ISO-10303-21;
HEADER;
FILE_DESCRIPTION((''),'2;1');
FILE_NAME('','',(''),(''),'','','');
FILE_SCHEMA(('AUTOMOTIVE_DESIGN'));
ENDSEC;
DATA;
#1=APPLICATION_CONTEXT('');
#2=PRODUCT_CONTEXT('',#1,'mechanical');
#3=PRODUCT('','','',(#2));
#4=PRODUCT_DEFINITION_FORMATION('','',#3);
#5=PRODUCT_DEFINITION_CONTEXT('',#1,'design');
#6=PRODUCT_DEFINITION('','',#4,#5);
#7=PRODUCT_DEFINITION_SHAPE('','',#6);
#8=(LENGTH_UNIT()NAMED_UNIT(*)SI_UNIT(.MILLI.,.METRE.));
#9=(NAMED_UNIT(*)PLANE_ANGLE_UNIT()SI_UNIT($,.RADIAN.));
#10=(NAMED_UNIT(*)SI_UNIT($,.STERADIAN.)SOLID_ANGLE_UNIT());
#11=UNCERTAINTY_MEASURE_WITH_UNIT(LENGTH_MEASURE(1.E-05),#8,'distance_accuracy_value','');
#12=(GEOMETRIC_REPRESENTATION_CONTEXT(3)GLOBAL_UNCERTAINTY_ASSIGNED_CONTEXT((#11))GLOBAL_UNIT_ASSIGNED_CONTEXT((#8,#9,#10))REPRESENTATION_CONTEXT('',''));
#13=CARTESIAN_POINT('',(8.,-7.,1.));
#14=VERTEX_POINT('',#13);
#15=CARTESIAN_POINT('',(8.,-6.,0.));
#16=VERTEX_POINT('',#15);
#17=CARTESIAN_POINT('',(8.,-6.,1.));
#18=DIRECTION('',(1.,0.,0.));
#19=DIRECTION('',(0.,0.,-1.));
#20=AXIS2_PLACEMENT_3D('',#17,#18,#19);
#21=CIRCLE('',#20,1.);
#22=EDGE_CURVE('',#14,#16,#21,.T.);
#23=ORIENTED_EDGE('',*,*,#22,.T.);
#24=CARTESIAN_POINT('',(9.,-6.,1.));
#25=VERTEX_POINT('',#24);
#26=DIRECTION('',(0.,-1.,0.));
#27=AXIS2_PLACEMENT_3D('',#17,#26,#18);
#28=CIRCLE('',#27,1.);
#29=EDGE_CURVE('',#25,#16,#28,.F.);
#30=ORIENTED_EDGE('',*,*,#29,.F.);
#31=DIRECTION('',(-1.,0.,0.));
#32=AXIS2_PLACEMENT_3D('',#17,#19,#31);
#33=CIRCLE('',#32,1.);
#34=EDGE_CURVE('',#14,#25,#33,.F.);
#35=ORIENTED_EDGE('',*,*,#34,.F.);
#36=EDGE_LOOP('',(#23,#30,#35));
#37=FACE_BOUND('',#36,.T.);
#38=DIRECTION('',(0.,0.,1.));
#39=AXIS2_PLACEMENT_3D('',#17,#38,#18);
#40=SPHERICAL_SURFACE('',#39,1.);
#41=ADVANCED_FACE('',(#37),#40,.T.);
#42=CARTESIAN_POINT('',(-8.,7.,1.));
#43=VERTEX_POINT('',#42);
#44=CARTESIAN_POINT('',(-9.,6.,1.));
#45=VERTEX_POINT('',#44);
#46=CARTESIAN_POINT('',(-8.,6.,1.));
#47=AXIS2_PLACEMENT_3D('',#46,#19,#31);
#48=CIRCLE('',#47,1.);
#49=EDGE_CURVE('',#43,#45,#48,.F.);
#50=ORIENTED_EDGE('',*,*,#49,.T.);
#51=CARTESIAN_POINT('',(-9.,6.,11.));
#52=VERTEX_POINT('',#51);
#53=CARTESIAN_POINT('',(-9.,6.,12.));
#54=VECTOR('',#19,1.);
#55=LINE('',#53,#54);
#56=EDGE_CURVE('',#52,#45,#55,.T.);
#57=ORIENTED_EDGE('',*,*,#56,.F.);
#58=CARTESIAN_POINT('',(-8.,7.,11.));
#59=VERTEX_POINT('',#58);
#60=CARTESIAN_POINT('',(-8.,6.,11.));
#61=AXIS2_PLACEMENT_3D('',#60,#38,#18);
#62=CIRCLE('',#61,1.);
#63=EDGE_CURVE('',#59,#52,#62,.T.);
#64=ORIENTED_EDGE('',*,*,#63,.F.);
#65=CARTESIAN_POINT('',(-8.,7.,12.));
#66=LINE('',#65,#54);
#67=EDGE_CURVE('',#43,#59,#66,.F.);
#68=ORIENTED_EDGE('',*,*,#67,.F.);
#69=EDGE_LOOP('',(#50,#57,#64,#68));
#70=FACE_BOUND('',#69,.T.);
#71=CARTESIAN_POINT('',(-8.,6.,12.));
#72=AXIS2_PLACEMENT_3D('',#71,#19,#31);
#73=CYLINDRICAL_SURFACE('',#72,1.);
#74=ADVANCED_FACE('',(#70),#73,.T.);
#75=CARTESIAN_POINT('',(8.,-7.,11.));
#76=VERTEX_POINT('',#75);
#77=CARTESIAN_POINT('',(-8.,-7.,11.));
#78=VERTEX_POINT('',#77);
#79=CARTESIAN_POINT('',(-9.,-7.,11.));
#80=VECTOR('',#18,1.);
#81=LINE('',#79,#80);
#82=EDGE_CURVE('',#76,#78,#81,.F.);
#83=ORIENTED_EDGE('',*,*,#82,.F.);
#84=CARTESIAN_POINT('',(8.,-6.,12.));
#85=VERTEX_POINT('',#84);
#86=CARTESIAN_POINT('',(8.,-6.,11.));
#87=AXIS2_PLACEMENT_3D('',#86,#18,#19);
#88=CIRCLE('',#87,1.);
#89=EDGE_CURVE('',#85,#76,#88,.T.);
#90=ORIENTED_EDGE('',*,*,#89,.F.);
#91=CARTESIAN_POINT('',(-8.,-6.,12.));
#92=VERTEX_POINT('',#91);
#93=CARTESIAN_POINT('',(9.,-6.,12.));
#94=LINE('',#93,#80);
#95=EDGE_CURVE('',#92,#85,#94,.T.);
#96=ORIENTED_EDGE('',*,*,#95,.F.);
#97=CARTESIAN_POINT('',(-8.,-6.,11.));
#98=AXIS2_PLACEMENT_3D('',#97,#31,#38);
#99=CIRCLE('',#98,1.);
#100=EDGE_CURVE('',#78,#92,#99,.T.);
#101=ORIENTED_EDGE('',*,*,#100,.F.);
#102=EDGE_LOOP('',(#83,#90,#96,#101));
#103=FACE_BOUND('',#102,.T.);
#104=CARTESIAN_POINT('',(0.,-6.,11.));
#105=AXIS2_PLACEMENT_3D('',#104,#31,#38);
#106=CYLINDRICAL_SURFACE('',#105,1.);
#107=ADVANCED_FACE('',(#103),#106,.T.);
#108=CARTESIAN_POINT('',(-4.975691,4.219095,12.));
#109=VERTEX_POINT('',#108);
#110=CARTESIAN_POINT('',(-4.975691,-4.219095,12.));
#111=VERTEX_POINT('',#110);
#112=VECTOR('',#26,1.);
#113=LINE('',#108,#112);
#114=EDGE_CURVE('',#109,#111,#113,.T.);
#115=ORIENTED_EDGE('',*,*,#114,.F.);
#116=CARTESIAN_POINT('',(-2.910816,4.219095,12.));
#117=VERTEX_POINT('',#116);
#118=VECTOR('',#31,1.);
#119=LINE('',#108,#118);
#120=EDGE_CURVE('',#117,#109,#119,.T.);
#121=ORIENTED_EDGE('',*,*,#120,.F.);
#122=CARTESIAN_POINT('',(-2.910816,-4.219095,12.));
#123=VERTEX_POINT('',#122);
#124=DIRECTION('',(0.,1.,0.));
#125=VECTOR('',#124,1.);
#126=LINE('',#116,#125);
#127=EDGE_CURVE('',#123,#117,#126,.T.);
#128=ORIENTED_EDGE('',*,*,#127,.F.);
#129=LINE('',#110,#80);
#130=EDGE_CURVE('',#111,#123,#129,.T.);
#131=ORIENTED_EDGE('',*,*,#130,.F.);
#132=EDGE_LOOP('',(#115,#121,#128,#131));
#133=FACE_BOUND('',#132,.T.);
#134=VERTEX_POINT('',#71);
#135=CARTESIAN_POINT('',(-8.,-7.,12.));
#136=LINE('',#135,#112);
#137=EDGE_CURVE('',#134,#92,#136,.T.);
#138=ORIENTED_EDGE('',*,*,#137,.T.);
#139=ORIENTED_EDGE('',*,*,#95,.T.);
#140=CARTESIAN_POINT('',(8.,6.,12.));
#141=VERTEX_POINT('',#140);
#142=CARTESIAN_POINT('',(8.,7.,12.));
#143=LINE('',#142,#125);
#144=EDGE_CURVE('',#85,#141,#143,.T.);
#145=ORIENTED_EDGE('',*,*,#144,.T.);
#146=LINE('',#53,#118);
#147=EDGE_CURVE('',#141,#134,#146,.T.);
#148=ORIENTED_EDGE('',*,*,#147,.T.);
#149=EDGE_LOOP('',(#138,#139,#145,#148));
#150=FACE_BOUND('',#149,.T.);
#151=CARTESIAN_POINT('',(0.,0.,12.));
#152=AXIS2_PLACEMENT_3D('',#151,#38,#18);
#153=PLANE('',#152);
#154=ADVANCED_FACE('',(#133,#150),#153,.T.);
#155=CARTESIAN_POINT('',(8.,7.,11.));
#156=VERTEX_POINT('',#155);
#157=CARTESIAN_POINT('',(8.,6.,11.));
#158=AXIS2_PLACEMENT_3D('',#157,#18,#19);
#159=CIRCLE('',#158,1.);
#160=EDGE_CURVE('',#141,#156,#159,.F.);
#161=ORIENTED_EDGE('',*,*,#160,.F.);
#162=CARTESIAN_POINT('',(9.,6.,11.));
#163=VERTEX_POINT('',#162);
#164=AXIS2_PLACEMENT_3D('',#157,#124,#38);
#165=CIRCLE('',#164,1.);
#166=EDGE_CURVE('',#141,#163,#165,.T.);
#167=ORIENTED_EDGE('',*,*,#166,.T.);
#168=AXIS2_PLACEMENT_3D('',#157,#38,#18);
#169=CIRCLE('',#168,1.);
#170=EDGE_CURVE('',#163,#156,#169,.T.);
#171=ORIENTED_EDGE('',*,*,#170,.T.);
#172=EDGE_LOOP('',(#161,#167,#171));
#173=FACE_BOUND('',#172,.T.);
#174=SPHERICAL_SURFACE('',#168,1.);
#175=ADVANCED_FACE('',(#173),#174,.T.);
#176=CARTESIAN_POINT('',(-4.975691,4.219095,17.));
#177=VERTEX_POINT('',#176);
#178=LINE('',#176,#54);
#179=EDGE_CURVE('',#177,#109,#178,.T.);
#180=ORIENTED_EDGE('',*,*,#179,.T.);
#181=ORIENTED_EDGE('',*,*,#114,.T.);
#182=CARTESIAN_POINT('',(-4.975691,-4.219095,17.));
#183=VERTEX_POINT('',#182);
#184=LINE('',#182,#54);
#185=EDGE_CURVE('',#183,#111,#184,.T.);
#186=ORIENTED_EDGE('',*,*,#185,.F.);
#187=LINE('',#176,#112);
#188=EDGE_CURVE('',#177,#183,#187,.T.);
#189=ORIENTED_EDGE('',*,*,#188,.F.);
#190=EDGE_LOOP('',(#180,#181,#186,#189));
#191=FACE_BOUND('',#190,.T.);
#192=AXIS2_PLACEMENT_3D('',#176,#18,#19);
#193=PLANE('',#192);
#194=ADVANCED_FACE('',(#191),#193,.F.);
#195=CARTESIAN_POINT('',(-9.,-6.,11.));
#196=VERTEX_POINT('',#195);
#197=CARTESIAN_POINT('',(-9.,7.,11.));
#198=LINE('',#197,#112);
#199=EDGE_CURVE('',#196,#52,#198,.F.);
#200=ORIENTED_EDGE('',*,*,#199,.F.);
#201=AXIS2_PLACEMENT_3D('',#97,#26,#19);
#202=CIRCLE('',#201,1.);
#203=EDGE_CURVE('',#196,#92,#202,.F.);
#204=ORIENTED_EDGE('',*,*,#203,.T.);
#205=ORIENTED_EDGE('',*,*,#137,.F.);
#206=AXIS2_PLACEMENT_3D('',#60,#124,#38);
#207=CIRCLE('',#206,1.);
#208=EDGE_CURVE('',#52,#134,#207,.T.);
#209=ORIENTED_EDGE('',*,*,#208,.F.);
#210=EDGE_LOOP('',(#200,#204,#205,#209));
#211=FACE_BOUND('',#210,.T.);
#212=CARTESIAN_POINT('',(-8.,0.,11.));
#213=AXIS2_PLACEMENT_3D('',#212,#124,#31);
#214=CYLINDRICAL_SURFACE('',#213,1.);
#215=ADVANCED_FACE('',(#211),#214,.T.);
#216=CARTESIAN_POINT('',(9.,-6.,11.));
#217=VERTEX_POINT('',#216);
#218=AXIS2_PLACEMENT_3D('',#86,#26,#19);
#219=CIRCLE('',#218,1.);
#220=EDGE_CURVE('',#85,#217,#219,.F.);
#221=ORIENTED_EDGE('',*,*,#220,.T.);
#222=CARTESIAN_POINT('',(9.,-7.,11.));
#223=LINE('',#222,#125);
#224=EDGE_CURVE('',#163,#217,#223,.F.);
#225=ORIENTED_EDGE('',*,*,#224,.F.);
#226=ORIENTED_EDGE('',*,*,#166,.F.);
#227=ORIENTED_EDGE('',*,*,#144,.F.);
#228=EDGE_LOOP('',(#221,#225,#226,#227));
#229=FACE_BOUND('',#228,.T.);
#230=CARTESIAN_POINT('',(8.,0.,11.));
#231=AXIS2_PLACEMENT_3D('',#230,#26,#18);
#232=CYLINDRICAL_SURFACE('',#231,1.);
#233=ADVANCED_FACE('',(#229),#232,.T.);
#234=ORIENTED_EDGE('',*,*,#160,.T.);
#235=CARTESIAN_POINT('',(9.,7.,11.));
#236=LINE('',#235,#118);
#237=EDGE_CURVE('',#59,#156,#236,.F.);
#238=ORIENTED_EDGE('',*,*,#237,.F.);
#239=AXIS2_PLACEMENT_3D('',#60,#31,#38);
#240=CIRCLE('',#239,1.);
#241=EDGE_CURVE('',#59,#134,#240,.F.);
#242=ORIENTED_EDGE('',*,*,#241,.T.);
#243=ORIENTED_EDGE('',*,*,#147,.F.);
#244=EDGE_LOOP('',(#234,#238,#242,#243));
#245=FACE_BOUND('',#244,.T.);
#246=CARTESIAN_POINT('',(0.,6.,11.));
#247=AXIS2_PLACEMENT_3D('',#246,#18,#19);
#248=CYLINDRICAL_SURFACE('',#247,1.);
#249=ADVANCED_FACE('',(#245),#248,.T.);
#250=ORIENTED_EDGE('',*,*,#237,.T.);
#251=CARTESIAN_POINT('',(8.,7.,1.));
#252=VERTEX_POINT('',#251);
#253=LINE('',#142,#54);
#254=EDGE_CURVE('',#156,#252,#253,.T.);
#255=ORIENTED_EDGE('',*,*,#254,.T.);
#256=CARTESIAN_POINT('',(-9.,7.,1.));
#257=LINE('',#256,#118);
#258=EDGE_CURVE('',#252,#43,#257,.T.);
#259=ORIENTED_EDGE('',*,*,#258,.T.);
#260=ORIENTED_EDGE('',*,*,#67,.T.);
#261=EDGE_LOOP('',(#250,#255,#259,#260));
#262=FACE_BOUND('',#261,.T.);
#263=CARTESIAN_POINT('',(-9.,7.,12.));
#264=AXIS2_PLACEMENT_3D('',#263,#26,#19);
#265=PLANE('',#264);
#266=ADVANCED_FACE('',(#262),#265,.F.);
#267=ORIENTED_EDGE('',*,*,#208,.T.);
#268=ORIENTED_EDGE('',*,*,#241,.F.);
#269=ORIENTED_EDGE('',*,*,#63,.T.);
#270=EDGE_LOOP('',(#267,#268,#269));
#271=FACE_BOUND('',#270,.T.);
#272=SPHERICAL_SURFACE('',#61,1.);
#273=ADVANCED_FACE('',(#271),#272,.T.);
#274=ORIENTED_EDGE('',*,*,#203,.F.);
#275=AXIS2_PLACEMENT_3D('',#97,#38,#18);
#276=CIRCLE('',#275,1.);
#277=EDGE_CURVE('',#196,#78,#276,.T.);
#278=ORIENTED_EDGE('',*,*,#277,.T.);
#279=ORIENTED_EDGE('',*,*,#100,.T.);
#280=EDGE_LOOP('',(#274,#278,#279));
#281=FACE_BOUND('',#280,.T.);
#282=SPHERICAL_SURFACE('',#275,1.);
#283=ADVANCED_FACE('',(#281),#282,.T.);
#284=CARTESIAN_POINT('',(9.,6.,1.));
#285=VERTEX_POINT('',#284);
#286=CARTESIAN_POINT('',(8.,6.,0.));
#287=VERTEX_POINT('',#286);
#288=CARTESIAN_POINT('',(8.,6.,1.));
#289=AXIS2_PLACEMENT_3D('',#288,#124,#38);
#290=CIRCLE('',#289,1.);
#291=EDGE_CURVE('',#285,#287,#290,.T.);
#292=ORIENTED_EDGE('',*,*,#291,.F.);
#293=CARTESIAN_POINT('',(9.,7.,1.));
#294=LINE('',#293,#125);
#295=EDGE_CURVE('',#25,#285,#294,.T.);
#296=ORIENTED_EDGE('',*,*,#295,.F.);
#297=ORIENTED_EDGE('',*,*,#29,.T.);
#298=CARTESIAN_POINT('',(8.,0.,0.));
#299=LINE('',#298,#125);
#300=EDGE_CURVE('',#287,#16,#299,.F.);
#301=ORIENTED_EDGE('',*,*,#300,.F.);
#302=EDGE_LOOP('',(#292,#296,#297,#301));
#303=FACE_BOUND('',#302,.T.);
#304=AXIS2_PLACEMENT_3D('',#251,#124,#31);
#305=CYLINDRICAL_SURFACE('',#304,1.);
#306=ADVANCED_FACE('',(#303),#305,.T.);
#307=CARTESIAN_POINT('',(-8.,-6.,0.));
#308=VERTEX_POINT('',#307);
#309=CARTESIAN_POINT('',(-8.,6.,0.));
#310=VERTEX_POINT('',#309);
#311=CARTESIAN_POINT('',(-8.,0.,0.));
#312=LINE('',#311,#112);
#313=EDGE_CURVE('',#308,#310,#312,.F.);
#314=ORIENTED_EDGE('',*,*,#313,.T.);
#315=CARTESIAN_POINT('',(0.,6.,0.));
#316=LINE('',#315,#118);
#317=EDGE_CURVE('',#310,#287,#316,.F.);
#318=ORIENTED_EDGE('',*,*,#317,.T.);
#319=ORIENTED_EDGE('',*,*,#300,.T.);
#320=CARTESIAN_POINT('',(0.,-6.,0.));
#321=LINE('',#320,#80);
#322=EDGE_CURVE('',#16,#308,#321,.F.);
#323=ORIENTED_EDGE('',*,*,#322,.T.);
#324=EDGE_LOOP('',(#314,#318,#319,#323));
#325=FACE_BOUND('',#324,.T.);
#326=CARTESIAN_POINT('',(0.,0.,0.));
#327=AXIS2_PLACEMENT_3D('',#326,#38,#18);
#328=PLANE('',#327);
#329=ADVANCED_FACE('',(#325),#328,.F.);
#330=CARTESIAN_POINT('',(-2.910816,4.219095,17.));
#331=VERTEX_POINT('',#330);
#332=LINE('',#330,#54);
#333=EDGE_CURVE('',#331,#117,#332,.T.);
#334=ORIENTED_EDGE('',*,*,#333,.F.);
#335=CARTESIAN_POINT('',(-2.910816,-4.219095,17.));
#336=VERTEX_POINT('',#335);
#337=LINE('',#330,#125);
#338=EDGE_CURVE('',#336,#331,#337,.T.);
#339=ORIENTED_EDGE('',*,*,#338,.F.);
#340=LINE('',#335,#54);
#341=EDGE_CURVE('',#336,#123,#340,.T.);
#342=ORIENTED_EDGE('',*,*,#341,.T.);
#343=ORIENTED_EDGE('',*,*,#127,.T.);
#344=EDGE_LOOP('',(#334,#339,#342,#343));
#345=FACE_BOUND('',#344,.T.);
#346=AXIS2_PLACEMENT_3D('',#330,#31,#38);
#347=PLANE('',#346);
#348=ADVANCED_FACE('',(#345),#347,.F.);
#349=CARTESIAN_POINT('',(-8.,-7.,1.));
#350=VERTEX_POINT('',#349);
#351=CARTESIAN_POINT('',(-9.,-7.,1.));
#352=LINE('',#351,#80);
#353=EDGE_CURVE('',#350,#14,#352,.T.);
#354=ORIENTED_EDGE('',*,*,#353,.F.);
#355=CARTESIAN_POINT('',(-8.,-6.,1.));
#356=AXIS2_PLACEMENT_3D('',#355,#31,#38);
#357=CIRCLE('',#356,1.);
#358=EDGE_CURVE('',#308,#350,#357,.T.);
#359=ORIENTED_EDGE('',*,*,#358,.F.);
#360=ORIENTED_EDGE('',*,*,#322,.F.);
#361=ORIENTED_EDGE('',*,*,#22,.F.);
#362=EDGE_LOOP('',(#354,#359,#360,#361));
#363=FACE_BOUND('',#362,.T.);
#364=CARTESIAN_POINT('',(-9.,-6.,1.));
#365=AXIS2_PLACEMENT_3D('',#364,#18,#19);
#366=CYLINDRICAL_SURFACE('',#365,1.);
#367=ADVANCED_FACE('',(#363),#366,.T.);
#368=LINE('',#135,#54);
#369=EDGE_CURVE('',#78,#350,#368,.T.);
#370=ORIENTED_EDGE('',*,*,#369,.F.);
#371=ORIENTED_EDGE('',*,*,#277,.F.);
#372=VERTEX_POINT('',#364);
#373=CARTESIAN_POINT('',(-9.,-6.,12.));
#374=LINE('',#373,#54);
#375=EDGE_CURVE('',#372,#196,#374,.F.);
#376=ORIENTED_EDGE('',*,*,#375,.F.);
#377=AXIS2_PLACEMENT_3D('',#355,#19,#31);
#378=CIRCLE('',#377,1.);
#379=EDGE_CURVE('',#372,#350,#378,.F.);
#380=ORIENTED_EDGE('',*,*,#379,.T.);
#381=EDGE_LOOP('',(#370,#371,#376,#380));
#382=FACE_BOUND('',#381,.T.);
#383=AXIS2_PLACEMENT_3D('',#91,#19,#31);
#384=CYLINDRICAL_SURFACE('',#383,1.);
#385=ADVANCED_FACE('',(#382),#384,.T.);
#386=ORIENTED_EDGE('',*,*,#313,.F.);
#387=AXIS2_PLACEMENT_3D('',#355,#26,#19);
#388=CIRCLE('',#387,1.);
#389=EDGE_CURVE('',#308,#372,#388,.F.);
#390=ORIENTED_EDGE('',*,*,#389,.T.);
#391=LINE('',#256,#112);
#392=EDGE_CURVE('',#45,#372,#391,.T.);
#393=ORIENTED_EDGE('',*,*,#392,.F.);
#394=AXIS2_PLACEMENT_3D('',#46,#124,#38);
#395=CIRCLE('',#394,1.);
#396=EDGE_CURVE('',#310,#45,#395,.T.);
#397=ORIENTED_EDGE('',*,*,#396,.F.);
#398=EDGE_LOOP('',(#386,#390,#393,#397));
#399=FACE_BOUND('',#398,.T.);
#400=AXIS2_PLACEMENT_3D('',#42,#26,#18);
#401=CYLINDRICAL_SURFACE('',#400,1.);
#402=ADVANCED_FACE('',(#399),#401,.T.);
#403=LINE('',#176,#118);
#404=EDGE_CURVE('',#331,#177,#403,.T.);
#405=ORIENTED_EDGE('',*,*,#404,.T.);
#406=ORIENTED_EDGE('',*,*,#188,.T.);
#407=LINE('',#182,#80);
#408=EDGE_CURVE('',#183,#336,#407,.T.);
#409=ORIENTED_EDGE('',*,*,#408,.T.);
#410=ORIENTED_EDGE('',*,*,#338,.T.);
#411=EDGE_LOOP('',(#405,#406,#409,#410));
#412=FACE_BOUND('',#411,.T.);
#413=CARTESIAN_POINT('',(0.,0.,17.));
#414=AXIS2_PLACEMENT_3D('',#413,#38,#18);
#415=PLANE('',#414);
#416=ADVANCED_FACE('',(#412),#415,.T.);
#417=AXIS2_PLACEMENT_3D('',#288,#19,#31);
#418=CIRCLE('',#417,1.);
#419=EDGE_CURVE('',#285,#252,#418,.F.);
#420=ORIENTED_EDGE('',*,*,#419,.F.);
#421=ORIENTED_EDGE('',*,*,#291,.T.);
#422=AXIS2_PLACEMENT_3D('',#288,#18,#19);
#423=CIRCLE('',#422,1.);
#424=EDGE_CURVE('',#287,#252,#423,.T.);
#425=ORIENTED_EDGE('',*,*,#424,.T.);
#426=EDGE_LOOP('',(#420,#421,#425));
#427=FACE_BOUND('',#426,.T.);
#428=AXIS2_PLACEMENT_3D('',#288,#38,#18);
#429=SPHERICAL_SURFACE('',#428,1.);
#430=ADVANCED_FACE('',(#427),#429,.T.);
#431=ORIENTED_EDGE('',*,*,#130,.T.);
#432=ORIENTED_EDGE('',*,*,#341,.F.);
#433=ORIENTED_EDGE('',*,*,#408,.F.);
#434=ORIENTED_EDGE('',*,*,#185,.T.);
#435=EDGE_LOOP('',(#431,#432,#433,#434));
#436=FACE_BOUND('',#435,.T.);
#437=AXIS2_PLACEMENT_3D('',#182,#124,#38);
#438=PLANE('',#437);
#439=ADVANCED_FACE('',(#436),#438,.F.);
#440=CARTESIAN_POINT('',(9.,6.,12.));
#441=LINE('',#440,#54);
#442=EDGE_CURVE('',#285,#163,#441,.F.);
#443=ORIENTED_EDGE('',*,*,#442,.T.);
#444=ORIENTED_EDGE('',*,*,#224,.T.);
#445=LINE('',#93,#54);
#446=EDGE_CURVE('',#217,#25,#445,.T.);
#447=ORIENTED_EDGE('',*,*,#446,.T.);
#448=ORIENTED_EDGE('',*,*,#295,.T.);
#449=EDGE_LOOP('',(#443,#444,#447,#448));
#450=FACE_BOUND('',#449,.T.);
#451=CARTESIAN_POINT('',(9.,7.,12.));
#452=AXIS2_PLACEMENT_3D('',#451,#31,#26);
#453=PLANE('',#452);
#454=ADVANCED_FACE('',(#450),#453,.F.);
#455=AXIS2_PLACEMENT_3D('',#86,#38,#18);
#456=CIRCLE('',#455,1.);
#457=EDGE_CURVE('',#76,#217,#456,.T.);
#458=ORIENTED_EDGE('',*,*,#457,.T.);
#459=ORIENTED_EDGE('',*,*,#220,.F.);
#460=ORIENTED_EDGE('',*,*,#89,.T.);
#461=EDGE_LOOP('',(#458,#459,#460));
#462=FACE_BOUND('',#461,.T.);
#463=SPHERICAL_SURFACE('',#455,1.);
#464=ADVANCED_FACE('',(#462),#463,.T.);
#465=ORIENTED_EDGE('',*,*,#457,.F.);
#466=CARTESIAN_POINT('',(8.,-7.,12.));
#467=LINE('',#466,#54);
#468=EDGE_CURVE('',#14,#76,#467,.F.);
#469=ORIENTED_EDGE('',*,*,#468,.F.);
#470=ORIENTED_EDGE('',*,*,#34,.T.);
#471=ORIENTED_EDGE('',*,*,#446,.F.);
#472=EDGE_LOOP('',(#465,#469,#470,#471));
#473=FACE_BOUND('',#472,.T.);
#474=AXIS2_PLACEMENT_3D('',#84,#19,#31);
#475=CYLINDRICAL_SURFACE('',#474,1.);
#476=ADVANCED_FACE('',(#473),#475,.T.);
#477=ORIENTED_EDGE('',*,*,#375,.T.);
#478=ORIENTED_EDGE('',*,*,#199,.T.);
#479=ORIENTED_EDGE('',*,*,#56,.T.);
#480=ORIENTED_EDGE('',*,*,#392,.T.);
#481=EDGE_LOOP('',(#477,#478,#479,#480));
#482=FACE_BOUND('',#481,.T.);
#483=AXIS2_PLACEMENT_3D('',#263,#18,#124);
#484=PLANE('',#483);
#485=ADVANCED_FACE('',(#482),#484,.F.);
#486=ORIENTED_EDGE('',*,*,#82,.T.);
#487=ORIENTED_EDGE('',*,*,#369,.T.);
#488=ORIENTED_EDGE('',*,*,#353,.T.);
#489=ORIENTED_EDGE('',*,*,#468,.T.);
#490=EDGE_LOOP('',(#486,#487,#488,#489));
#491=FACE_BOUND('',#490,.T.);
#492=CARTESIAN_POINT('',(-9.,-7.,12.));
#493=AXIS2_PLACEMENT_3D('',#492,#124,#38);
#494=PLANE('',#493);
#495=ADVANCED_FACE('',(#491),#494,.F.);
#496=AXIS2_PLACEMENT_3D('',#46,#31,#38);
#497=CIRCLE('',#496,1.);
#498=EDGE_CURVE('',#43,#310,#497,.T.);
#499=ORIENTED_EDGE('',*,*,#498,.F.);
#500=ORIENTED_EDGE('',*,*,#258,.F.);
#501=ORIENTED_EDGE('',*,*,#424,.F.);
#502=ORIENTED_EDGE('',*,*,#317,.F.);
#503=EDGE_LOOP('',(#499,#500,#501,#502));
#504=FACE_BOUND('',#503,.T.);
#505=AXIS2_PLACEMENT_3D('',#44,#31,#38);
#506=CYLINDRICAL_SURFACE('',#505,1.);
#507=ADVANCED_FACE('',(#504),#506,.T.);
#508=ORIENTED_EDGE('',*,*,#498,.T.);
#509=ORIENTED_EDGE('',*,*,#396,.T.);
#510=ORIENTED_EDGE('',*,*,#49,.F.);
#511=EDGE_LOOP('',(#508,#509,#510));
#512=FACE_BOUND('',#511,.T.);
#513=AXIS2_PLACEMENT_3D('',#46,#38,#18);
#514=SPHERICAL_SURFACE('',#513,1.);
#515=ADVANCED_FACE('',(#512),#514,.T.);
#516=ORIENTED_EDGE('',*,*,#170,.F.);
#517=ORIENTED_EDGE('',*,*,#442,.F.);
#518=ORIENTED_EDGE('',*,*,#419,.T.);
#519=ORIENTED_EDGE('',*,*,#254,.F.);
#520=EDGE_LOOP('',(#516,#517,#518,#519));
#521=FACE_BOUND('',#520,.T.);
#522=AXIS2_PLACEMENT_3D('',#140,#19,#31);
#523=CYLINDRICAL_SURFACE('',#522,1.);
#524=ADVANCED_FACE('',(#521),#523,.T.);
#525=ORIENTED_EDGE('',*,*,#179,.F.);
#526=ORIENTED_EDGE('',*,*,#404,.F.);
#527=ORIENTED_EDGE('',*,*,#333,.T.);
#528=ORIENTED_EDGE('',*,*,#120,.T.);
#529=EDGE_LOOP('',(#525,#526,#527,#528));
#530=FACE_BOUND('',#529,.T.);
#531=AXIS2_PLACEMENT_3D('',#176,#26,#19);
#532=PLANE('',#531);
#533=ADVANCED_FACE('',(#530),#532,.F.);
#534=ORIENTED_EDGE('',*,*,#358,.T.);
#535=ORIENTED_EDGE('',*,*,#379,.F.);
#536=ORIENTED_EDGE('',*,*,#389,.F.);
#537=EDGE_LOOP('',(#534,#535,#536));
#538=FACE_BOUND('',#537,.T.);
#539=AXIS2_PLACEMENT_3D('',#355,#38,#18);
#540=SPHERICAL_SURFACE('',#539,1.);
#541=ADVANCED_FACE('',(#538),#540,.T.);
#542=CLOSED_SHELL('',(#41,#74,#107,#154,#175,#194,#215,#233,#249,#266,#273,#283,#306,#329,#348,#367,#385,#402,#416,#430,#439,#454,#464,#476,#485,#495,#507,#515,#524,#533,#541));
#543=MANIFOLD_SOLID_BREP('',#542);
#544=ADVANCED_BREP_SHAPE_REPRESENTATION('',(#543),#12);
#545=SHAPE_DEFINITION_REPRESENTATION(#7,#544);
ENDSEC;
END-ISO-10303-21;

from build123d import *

# Parameters (mm, degrees)
SKETCH_1_W      = 18
SKETCH_1_H      = 14
EXTRUDE_1_DEPTH = 12
SKETCH_2_W      = 2.064874792
SKETCH_2_H      = 8.438190256
EXTRUDE_2_DEPTH = 5
FILLET_1_R      = 1


with BuildPart() as part:
    # Эскиз1 → Бобышка-Вытянуть1 (new body)
    with BuildSketch(Plane.XY):
        Rectangle(SKETCH_1_W, SKETCH_1_H)
    extrude(amount=EXTRUDE_1_DEPTH)

    # Эскиз2 → Бобышка-Вытянуть2 (add)
    with BuildSketch(Plane.XY.offset(12)):
        with Locations((-3.943253735, 0)):
            Rectangle(SKETCH_2_W, SKETCH_2_H)
    extrude(amount=EXTRUDE_2_DEPTH)

    # Скругление1
    fillet_1_edges = [part.edges().sort_by_distance(p)[0] for p in [
        (-9, 0, 12),
        (0, -7, 12),
        (9, 0, 12),
        (0, -7, 0),
        (-9, 0, 0),
        (0, 7, 0),
        (9, 0, 0),
        (0, 7, 12),
        (9, -7, 6),
        (-9, -7, 6),
        (-9, 7, 6),
        (9, 7, 6),
    ]]
    fillet(fillet_1_edges, radius=FILLET_1_R)


solid = part.part
